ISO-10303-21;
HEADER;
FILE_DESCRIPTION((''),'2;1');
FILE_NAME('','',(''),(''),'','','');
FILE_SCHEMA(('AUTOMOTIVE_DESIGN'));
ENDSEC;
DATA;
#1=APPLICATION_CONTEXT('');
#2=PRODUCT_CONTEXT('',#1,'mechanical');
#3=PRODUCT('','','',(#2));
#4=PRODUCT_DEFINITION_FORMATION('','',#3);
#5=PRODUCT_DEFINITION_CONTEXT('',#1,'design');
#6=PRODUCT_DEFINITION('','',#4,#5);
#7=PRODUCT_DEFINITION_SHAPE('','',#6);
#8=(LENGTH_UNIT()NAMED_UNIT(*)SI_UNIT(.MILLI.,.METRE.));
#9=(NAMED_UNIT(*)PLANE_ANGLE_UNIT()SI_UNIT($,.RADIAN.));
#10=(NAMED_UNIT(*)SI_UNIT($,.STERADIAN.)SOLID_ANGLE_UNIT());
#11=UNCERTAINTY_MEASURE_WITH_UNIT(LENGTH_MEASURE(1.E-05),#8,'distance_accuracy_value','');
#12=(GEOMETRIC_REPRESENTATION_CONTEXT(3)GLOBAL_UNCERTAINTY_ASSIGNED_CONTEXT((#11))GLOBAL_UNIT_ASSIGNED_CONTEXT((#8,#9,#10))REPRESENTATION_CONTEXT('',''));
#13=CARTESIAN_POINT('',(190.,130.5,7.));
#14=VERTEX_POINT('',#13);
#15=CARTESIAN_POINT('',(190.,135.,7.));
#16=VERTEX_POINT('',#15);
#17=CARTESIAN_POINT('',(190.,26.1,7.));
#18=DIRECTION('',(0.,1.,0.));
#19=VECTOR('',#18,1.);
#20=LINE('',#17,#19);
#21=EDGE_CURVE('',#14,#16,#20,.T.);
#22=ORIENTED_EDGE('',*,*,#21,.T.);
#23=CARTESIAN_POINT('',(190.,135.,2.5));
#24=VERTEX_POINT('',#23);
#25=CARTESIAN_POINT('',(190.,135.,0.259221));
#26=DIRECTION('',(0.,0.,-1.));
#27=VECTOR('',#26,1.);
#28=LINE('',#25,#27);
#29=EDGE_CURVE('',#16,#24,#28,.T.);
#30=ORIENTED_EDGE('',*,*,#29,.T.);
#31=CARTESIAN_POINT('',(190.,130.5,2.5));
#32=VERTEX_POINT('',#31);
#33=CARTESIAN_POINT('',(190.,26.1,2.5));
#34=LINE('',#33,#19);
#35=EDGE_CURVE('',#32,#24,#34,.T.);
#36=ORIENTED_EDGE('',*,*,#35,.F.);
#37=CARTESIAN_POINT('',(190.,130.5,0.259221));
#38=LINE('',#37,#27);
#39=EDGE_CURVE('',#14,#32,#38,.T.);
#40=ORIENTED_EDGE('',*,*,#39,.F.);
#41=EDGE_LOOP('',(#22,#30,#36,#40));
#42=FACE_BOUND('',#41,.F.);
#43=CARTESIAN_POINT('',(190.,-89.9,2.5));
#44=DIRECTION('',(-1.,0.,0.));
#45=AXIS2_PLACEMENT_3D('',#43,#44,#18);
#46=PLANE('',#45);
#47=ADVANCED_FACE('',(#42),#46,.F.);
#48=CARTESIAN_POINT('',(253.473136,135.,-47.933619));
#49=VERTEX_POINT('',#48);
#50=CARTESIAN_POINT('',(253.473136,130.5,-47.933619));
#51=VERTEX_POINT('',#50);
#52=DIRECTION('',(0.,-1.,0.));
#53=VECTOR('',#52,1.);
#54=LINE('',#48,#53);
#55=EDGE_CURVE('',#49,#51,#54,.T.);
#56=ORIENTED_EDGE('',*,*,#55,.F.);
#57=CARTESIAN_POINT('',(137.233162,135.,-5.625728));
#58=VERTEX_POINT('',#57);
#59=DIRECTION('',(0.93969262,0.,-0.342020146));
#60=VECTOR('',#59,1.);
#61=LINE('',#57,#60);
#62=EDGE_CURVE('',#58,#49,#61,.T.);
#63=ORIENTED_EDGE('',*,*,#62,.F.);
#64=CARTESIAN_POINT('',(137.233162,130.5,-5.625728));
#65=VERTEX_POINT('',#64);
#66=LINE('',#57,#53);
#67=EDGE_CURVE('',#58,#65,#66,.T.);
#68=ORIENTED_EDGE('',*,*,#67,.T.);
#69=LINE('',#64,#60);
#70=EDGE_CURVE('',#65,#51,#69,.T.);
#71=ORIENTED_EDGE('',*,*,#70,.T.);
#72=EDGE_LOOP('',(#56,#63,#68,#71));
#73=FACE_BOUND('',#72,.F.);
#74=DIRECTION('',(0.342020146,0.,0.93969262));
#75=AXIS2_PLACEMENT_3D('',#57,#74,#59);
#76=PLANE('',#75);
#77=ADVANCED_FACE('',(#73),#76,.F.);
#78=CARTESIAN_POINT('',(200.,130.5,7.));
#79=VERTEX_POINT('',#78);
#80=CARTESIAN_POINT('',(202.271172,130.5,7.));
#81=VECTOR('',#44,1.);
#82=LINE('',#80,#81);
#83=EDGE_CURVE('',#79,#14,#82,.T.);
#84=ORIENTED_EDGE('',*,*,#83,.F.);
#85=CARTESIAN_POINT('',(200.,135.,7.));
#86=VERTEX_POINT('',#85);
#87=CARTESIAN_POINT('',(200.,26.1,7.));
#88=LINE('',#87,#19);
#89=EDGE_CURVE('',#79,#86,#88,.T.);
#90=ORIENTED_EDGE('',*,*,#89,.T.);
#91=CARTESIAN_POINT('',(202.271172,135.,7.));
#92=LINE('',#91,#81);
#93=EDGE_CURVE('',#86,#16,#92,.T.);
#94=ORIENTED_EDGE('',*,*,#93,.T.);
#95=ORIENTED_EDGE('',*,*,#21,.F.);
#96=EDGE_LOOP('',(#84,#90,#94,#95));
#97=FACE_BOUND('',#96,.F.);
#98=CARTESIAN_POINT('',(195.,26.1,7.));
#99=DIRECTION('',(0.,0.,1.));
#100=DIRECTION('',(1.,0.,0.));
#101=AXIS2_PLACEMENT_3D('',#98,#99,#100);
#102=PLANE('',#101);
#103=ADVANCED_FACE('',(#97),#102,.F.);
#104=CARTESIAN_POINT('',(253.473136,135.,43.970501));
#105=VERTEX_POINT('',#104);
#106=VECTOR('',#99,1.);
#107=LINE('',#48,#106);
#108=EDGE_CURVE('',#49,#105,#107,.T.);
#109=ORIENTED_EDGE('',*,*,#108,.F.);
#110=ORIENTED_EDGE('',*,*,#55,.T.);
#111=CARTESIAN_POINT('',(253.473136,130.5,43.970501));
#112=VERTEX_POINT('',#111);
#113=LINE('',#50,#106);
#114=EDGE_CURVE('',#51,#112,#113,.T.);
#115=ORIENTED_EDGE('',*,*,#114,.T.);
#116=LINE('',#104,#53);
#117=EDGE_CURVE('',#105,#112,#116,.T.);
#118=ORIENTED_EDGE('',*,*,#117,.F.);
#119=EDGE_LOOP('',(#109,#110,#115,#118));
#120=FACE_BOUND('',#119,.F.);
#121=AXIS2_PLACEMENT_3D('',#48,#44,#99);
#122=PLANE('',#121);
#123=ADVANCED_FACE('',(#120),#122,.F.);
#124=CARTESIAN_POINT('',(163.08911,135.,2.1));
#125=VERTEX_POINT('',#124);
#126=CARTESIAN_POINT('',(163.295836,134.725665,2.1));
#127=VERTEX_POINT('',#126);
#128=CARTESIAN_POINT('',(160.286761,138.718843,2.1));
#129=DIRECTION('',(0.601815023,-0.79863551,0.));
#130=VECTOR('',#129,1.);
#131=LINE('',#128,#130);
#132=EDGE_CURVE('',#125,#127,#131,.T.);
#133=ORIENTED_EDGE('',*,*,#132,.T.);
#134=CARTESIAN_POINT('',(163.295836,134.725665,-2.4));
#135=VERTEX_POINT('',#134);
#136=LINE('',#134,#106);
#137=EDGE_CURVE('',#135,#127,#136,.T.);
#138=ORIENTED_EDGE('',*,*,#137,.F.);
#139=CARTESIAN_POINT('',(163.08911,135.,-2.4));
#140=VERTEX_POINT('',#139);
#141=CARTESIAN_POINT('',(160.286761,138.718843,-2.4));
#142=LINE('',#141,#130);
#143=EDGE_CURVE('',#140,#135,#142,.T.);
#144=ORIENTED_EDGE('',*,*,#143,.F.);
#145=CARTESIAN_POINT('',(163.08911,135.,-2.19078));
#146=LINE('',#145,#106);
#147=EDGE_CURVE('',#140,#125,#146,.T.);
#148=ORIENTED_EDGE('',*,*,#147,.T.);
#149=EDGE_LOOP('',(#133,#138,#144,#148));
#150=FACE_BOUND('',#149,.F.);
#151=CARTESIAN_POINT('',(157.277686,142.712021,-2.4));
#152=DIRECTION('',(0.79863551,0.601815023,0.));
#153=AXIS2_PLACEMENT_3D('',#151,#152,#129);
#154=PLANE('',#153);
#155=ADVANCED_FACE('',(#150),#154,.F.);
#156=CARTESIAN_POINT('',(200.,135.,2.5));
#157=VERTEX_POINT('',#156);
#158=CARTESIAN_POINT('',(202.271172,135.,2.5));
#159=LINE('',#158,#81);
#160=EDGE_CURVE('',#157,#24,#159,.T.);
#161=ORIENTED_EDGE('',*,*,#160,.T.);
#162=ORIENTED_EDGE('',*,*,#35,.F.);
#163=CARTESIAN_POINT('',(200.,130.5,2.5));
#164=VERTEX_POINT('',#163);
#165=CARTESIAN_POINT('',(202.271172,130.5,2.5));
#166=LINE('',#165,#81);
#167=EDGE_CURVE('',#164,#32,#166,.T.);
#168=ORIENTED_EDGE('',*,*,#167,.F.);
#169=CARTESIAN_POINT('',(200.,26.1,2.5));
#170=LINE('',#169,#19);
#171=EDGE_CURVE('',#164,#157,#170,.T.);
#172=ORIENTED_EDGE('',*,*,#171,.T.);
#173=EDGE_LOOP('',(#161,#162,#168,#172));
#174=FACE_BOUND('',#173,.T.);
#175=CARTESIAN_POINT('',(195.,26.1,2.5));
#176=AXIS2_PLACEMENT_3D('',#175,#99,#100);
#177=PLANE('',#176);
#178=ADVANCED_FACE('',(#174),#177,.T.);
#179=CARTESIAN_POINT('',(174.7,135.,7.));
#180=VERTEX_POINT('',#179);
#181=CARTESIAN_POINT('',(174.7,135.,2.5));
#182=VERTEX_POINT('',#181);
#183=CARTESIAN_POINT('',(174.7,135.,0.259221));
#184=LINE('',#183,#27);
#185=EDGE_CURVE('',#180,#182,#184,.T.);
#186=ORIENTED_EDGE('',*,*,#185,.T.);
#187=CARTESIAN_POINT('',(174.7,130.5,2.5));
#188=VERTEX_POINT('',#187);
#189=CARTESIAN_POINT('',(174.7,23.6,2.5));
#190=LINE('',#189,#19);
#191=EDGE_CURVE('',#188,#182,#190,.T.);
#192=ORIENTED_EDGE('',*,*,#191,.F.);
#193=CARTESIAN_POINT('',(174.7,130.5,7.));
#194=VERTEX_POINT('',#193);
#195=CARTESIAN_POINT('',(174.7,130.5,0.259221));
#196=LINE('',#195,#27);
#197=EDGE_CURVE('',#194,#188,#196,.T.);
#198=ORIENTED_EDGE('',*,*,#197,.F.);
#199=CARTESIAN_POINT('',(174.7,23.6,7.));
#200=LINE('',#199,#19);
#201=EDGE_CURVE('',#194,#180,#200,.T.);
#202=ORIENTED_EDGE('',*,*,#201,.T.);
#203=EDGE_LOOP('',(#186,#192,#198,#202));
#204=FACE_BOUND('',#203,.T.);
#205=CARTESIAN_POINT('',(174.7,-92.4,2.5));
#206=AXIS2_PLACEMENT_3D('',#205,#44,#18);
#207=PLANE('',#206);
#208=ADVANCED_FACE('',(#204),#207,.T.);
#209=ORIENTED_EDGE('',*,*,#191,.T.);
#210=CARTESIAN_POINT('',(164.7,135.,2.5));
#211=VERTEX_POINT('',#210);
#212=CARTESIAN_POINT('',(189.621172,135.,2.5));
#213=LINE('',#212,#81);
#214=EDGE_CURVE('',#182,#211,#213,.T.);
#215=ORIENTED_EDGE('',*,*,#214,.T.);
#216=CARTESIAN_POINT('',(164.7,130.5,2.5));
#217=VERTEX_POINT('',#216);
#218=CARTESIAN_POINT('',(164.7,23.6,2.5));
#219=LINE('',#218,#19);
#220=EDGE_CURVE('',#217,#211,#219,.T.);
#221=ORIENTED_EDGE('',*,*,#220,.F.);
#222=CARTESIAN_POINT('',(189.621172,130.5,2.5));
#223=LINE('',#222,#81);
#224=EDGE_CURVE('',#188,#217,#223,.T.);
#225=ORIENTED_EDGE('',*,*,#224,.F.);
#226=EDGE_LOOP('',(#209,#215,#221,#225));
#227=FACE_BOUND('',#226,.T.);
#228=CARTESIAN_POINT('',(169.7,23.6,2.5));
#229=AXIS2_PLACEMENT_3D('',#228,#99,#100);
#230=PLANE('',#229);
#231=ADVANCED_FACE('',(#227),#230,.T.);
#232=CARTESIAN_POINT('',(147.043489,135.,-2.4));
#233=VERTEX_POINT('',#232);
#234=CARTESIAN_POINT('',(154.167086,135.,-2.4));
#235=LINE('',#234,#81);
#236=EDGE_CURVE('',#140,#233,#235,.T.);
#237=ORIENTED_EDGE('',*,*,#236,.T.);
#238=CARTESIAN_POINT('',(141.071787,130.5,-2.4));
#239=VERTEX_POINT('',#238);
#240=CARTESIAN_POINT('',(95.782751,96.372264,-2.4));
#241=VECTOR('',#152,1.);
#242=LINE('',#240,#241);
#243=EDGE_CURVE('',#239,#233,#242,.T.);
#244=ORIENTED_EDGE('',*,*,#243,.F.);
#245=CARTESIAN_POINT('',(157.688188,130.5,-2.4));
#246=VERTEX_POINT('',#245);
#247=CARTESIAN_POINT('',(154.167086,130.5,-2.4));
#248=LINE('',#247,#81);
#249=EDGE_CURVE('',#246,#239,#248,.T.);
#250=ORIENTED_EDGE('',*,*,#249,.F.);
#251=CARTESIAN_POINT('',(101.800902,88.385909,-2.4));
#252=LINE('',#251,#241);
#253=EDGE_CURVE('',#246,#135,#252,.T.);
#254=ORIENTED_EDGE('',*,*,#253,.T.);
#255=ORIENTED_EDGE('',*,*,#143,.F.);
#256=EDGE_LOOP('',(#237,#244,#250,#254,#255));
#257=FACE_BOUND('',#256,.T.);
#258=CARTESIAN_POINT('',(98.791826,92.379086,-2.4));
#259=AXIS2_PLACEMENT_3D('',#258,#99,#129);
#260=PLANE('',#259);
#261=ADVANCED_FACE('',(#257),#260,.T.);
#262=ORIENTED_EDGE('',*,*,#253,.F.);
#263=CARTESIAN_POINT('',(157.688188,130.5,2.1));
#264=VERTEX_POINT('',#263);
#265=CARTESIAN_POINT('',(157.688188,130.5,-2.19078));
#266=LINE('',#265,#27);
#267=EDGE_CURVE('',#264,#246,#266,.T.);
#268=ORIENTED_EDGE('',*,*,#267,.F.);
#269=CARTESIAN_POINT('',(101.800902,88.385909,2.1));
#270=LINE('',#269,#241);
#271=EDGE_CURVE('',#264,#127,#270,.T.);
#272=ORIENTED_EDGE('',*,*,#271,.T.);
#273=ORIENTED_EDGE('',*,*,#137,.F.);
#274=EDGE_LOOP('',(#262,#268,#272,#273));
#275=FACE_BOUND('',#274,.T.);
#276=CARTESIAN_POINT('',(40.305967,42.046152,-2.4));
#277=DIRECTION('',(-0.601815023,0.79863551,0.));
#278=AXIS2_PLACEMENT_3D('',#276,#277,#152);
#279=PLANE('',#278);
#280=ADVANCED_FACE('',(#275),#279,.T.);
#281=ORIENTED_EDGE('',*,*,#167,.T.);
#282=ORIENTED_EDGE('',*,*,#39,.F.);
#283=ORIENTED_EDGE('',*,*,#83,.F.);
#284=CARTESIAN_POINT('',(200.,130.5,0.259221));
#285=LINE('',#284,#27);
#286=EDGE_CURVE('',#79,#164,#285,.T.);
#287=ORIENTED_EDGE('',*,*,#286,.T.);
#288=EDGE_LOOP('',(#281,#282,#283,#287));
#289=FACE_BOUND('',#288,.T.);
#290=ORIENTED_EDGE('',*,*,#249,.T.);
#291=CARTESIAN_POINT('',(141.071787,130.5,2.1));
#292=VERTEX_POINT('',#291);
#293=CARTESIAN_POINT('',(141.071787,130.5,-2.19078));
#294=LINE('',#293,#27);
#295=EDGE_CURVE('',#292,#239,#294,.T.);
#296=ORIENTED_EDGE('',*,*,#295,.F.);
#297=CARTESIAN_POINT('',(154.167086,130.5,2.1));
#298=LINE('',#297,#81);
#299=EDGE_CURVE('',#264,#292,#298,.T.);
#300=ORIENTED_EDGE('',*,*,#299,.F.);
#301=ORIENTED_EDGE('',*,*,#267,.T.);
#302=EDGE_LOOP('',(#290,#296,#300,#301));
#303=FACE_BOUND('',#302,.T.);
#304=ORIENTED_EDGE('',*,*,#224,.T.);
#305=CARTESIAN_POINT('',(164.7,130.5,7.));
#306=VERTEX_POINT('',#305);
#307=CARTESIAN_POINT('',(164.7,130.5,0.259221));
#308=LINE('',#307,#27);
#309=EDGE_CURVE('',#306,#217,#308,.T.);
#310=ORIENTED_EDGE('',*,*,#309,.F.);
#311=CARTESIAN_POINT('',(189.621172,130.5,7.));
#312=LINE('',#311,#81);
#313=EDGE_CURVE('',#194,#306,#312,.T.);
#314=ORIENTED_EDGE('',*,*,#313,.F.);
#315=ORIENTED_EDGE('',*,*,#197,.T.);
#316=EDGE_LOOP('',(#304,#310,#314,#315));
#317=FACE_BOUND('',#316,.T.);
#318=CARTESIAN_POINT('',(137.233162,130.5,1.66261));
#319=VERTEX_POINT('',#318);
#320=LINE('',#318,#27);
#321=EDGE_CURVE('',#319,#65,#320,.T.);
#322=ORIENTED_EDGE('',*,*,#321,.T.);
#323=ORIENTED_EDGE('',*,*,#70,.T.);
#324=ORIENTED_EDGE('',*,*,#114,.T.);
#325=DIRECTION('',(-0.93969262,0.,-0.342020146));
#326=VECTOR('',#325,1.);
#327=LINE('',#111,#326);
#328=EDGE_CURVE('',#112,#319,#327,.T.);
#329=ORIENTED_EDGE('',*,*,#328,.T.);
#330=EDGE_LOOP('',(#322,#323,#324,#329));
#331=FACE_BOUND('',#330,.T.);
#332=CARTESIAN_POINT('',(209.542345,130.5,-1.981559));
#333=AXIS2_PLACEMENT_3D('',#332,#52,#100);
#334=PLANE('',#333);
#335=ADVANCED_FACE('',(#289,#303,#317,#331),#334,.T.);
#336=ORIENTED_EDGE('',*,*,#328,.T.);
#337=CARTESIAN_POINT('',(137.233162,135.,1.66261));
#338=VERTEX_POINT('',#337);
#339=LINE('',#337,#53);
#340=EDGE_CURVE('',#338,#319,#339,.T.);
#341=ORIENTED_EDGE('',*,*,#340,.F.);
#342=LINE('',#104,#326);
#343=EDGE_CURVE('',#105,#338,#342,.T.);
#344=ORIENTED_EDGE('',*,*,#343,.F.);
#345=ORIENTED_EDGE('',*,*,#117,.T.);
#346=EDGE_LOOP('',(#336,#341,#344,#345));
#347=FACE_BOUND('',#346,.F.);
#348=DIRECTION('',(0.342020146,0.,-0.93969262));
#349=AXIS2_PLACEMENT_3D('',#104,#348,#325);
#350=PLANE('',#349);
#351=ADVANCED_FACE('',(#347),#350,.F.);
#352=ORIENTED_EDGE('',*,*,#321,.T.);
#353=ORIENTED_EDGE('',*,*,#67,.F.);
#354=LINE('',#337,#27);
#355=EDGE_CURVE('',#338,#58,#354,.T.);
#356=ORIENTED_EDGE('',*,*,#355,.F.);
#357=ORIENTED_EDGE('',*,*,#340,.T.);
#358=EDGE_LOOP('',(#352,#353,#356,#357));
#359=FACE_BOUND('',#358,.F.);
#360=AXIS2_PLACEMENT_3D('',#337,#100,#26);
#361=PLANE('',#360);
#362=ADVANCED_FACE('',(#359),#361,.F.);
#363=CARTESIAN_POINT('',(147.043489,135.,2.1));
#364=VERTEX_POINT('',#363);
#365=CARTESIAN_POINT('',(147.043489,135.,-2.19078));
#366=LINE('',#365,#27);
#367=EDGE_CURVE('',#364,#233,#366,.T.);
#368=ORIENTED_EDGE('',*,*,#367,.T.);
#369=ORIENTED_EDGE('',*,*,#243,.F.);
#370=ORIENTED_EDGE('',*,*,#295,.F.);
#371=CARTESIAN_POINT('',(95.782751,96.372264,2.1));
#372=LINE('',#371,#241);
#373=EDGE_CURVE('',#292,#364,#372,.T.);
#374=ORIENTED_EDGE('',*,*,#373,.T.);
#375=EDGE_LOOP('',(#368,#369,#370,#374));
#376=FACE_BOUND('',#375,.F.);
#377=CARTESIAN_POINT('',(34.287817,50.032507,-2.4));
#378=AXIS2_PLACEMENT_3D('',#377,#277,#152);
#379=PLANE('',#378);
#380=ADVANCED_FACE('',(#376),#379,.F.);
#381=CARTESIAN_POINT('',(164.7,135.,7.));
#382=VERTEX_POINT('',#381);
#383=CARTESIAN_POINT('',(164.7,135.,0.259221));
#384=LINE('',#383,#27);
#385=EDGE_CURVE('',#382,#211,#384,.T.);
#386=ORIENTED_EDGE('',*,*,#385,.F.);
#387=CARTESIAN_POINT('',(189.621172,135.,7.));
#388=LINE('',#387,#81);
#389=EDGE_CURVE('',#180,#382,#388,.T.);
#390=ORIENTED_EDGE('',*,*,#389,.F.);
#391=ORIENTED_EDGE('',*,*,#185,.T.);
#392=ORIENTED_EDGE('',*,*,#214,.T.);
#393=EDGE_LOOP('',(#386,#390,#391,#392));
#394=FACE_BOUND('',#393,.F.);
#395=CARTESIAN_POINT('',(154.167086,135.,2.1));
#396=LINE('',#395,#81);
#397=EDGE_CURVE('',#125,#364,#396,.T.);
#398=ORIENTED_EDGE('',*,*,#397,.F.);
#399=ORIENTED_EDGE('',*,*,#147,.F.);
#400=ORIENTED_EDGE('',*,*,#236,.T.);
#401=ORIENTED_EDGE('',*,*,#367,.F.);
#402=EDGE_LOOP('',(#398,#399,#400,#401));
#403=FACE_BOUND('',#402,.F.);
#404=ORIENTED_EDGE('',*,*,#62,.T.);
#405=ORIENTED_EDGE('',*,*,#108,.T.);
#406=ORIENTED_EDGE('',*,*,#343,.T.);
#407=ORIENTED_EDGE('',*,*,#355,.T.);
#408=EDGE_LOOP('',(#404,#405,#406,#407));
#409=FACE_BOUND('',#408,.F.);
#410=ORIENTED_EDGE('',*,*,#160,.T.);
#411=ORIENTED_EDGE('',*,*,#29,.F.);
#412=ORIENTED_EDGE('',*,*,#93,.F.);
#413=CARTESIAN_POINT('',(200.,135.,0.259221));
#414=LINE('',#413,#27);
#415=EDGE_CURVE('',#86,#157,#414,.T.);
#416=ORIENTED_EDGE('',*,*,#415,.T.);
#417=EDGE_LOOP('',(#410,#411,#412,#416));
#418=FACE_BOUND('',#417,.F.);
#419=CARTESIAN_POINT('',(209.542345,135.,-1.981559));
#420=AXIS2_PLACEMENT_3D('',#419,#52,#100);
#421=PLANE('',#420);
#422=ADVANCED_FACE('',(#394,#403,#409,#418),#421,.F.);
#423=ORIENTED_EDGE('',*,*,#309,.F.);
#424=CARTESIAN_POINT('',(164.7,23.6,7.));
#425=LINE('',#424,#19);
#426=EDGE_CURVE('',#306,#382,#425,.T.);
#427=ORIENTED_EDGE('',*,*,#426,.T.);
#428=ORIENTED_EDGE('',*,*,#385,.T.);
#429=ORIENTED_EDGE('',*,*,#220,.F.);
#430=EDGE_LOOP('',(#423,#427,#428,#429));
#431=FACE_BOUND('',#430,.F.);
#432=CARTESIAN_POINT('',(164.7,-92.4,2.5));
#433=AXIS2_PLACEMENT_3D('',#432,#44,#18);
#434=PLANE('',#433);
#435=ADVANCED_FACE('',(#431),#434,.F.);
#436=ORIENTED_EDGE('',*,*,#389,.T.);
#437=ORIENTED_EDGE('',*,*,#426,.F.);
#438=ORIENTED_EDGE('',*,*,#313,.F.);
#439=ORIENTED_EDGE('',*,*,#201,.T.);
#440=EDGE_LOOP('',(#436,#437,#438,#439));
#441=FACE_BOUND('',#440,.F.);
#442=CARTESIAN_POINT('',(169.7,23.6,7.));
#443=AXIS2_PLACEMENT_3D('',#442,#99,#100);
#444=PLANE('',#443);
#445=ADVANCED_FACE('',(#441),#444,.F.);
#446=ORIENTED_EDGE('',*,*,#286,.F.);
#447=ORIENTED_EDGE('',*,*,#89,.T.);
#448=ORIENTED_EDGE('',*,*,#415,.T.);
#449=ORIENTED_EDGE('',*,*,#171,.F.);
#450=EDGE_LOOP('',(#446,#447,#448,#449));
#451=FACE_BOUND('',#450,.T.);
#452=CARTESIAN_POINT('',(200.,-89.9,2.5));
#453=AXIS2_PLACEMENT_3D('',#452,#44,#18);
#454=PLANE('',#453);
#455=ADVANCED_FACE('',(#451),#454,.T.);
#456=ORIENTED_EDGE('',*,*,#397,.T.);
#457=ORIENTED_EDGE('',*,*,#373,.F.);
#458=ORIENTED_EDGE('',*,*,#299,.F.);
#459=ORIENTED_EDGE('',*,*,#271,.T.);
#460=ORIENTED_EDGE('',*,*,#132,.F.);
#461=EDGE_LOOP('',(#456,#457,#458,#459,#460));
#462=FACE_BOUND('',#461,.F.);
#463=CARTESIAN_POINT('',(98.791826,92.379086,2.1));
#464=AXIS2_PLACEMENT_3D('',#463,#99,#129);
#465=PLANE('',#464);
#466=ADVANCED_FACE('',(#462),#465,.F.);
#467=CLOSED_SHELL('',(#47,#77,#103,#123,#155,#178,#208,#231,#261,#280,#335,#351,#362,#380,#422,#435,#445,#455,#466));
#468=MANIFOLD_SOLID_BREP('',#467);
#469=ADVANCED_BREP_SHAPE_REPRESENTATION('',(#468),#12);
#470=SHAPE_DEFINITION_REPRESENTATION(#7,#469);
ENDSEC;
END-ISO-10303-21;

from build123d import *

# Parameters (mm, degrees)
BOX006_W               = 10
BOX006_H               = 154
BOX006_DEPTH           = 4.5
BOX006_PLACEMENT_ANGLE = 307
BOX001_W               = 10
BOX001_H               = 232
BOX001_DEPTH           = 4.5
BOX_W                  = 10
BOX_H                  = 232
BOX_DEPTH              = 4.5
PAD001_DEPTH           = 4.5


with BuildPart() as front_spar001:
    # Box006 → Box006 (new body)
    with BuildSketch(Plane.XY):
        with Locations((5, 77)):
            Rectangle(BOX006_W, BOX006_H)
    extrude(amount=BOX006_DEPTH)


with BuildPart() as front_spar001_1:
    # Box006 placement: moved
    add(front_spar001.part.moved(Location((34.287817, 50.032507, -2.4))).rotate(Axis((34.287817, 50.032507, -2.4), (0, 0, 1)), BOX006_PLACEMENT_ANGLE))


with BuildPart() as cube001:
    # Box001 → Box001 (new body)
    with BuildSketch(Plane(origin=(164.7, -92.4, 2.5), x_dir=(1, 0, 0), z_dir=(0, 0, 1))):
        with Locations((5, 116)):
            Rectangle(BOX001_W, BOX001_H)
    extrude(amount=BOX001_DEPTH)


with BuildPart() as cube:
    # Box → Box (new body)
    with BuildSketch(Plane(origin=(190, -89.9, 2.5), x_dir=(1, 0, 0), z_dir=(0, 0, 1))):
        with Locations((5, 116)):
            Rectangle(BOX_W, BOX_H)
    extrude(amount=BOX_DEPTH)


with BuildPart() as cut035:
    # Sketch001 → Pad001 (new body)
    with BuildSketch(Plane.XZ):
        Polygon((-112.766838, 5.66261), (-112.766838, -1.625728), (3.473136, -43.933619), (3.473136, 47.970501), align=None)
    extrude(amount=PAD001_DEPTH)


with BuildPart() as cut035_1:
    # Body001 placement: moved
    add(cut035.part.moved(Location((250, 135, -4))))

    # Cut011: cut Cube
    add(cube.part, mode=Mode.SUBTRACT)

    # Cut023: cut Cube001
    add(cube001.part, mode=Mode.SUBTRACT)

    # Cut035: cut front spar001
    add(front_spar001_1.part, mode=Mode.SUBTRACT)


solid = cut035_1.part
